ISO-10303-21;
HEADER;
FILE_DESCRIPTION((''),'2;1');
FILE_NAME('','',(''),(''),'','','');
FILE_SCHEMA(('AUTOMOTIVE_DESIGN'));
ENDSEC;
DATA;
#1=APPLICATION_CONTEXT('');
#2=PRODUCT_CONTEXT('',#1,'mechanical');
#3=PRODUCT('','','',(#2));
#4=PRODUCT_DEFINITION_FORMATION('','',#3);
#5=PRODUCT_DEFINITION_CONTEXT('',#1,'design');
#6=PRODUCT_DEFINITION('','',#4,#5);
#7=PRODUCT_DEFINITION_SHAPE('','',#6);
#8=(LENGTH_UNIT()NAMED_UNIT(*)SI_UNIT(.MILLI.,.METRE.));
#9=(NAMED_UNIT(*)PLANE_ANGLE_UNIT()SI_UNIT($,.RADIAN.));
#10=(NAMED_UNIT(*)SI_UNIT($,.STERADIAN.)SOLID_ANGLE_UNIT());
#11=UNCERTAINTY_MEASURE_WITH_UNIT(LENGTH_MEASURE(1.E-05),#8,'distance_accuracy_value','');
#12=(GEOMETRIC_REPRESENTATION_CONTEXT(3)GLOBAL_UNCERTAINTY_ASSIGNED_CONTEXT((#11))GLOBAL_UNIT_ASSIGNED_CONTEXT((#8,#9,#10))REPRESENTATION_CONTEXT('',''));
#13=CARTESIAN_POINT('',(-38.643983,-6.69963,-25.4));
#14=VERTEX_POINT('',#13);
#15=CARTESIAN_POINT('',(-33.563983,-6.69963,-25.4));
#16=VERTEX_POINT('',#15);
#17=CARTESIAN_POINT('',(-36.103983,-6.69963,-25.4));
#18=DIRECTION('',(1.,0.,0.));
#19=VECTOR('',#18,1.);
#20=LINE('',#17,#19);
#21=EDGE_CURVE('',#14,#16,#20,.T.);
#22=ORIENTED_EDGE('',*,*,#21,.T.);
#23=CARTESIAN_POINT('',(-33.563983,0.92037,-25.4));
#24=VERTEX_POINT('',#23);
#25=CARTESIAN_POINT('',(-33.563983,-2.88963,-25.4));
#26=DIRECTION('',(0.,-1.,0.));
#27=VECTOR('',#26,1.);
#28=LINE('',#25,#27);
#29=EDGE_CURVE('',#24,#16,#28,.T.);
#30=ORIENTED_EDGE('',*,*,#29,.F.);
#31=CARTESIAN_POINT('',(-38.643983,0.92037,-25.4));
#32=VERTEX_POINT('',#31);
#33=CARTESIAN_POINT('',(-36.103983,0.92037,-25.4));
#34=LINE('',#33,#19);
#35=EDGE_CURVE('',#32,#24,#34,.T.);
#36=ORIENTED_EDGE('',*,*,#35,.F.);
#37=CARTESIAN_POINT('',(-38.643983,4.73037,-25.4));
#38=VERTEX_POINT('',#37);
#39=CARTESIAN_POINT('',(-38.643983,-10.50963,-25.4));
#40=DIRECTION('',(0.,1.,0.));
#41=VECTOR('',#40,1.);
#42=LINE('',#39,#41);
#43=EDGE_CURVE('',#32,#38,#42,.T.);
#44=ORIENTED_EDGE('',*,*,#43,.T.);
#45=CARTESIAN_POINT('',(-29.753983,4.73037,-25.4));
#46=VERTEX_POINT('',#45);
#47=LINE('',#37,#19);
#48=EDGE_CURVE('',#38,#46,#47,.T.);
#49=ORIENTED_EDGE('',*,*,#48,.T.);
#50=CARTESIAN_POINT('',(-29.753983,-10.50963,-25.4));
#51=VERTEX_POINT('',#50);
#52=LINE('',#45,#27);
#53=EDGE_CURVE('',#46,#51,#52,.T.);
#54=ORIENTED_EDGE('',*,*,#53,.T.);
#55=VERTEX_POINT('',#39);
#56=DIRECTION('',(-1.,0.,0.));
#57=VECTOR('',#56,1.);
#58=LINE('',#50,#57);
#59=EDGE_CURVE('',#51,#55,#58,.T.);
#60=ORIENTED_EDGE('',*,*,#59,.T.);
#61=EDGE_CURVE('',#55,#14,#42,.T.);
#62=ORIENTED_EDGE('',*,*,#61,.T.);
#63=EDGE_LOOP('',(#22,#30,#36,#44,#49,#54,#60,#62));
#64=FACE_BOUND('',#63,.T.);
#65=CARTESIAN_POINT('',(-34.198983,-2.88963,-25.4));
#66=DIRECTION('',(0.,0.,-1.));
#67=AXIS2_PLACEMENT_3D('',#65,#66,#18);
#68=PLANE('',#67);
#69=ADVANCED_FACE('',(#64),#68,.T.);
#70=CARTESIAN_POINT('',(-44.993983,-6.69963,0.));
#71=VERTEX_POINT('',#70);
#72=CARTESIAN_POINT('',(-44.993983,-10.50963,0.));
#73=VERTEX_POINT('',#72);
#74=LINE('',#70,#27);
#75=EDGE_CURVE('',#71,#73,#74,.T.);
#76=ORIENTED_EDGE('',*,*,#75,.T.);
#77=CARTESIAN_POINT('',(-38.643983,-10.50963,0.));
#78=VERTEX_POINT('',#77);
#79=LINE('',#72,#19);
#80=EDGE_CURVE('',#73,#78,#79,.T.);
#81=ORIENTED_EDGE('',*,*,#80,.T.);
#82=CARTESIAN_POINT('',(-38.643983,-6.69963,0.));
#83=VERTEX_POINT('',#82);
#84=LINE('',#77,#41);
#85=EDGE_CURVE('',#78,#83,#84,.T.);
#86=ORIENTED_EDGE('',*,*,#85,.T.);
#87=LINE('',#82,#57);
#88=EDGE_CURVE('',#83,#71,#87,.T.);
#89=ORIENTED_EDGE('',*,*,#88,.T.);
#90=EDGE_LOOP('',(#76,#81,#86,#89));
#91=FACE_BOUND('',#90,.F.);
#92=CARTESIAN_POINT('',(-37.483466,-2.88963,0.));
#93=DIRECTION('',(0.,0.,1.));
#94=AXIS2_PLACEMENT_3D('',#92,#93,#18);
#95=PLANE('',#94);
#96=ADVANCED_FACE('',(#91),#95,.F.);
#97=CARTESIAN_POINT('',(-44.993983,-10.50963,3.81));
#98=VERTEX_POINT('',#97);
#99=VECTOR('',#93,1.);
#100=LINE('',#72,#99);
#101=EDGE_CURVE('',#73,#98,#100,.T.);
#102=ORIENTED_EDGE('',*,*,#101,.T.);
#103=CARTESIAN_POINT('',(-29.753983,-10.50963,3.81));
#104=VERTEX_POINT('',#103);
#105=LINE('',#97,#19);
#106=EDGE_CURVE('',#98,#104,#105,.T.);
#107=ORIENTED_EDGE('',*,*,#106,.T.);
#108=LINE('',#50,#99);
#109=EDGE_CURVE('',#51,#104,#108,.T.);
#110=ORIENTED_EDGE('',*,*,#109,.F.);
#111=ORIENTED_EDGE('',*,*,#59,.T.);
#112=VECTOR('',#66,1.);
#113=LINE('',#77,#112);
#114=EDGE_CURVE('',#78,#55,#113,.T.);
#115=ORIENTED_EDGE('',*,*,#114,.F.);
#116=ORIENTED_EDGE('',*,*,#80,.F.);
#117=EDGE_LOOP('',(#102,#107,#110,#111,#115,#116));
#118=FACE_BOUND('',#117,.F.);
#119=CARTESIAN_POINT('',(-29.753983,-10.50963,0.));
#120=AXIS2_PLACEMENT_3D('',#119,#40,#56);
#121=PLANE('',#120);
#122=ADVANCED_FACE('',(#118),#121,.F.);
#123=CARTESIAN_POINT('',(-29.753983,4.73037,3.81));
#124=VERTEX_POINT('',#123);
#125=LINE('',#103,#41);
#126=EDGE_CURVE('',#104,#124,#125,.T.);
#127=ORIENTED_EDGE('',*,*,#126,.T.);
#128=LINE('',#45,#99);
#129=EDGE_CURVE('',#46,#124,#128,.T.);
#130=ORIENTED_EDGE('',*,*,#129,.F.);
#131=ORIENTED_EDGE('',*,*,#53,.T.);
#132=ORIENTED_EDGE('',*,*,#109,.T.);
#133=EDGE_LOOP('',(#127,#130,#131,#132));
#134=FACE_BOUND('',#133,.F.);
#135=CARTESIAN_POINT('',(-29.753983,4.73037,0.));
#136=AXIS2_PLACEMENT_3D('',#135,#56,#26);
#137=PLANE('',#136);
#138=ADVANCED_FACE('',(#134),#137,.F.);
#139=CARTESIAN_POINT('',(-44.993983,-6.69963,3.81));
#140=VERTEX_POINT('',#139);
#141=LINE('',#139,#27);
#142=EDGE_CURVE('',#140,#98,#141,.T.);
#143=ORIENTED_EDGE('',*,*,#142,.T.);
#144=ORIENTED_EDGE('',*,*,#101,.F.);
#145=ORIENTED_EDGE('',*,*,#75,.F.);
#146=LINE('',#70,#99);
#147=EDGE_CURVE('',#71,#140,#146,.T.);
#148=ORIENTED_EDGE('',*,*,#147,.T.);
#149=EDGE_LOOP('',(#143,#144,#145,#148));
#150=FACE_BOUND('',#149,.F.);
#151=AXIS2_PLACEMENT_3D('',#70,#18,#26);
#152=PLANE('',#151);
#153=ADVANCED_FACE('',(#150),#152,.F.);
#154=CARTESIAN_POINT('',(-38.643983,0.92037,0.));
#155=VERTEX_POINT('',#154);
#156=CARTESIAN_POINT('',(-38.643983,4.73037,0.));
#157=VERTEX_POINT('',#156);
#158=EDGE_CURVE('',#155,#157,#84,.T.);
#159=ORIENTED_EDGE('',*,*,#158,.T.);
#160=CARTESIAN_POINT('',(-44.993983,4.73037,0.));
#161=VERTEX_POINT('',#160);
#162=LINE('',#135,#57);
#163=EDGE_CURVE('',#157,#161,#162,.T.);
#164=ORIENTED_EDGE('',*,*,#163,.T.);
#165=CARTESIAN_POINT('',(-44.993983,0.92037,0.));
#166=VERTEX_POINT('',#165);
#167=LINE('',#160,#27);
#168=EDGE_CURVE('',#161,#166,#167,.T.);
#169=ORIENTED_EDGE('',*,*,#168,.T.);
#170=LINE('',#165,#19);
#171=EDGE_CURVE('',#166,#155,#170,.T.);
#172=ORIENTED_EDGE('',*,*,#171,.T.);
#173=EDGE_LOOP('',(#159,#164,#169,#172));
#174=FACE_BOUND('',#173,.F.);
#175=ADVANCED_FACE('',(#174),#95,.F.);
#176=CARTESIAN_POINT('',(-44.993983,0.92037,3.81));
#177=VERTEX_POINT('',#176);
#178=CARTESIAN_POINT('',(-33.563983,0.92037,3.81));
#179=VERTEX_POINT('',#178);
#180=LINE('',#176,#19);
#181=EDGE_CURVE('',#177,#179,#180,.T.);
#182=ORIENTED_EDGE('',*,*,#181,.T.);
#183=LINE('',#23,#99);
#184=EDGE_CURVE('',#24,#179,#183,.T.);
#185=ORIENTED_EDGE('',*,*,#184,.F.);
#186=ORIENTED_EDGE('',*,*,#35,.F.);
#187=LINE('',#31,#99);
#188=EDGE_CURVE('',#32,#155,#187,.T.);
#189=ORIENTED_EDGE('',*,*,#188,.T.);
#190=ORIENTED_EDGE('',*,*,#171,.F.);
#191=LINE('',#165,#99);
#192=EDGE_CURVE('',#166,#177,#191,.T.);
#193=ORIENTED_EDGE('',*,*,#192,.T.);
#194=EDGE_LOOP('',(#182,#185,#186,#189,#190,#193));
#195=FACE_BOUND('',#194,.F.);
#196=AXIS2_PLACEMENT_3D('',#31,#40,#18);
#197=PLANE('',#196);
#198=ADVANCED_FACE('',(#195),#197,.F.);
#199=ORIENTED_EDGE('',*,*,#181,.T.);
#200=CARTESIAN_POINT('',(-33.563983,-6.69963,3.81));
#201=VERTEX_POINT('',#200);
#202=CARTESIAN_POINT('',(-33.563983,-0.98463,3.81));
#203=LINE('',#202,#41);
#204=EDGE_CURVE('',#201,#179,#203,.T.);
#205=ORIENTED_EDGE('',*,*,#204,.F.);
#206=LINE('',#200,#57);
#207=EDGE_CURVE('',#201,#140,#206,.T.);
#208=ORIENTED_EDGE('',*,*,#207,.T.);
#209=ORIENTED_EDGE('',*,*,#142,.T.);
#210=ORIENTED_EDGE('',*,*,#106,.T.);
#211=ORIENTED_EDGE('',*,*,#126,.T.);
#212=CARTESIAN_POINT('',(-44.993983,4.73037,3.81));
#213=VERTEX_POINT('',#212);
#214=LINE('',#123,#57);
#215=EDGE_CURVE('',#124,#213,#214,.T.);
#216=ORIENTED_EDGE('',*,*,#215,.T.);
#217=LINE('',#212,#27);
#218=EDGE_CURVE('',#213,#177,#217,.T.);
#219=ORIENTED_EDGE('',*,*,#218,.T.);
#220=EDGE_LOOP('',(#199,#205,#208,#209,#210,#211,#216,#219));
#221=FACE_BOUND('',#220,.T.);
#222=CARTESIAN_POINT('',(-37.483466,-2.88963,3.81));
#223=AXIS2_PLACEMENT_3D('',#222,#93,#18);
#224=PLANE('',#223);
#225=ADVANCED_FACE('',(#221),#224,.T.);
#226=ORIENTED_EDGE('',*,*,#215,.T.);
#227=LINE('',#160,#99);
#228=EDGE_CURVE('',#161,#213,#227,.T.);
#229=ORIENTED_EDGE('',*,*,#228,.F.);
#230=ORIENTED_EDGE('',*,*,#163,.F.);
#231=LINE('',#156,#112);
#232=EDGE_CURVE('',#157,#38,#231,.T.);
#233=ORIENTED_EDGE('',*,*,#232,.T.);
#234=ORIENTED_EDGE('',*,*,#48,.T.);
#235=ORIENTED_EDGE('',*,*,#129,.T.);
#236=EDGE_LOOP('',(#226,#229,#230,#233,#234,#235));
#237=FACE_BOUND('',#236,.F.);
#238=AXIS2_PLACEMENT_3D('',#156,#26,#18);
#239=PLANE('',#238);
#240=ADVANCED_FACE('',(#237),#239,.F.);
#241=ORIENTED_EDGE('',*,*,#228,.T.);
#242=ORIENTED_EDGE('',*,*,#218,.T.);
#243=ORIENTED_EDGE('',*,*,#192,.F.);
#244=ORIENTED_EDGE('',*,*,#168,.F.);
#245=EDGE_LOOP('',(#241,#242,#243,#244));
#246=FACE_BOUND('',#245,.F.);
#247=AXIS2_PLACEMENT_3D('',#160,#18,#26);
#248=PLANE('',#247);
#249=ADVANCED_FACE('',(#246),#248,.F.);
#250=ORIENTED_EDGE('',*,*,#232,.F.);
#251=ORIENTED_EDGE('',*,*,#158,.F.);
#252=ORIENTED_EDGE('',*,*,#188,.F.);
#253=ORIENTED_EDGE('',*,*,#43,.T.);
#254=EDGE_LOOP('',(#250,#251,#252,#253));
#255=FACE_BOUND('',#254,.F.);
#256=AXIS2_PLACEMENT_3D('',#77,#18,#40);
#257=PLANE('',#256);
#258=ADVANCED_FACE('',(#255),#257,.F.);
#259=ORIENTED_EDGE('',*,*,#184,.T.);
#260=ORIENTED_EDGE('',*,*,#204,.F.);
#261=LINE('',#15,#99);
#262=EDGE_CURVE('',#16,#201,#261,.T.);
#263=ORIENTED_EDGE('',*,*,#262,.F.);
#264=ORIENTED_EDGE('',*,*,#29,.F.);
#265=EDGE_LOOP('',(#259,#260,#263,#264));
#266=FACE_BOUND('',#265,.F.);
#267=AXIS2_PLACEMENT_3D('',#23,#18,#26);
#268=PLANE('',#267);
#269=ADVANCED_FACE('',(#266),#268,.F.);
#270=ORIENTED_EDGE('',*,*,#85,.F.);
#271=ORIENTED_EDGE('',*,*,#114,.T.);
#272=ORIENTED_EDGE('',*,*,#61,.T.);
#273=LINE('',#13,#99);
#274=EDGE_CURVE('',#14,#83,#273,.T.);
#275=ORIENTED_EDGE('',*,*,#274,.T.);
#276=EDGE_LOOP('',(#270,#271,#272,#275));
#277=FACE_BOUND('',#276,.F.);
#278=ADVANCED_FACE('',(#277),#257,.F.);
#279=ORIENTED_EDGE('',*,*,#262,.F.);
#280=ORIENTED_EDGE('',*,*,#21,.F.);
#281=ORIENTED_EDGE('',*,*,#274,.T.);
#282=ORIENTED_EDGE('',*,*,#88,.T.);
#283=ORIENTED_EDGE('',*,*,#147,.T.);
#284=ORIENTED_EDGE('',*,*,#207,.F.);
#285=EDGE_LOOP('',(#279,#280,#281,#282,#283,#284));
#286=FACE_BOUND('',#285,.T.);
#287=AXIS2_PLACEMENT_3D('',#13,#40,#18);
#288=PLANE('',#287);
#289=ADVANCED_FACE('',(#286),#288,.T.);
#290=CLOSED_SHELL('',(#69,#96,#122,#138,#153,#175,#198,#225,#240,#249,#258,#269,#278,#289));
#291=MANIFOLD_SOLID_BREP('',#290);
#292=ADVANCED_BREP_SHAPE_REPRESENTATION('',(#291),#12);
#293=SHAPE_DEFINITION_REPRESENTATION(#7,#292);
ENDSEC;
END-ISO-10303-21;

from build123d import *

# Parameters (mm, degrees)
F1_DEPTH = 3.81
F3_DEPTH = 25.4
F4_W     = 5.08
F4_H     = 7.62
F5_DEPTH = 50.8


with BuildPart() as f1:
    # F0 (on Top) → F1 (new body)
    with BuildSketch(Plane.XY):
        Polygon((-29.753983, 4.73037), (-44.993983, 4.73037), (-44.993983, 0.92037), (-38.643983, 0.92037), (-38.643983, -6.69963), (-44.993983, -6.69963), (-44.993983, -10.50963), (-29.753983, -10.50963), align=None)
    extrude(amount=F1_DEPTH)

    # F2 (on face) → F3 (join)
    with BuildSketch(Plane(origin=(0, 0, 0), x_dir=(1, 0, 0), z_dir=(0, 0, -1))):
        Polygon((-29.753983, 10.50963), (-38.643983, 10.50963), (-38.643983, 6.69963), (-38.643983, -0.92037), (-38.643983, -4.73037), (-29.753983, -4.73037), align=None)
    extrude(amount=F3_DEPTH)

    # F4 (on face) → F5 (cut)
    with BuildSketch(Plane(origin=(0, 0, -25.4), x_dir=(1, 0, 0), z_dir=(0, 0, -1))):
        with Locations((-36.103983, 2.88963)):
            Rectangle(F4_W, F4_H)
    extrude(amount=-F5_DEPTH, mode=Mode.SUBTRACT)


solid = f1.part
